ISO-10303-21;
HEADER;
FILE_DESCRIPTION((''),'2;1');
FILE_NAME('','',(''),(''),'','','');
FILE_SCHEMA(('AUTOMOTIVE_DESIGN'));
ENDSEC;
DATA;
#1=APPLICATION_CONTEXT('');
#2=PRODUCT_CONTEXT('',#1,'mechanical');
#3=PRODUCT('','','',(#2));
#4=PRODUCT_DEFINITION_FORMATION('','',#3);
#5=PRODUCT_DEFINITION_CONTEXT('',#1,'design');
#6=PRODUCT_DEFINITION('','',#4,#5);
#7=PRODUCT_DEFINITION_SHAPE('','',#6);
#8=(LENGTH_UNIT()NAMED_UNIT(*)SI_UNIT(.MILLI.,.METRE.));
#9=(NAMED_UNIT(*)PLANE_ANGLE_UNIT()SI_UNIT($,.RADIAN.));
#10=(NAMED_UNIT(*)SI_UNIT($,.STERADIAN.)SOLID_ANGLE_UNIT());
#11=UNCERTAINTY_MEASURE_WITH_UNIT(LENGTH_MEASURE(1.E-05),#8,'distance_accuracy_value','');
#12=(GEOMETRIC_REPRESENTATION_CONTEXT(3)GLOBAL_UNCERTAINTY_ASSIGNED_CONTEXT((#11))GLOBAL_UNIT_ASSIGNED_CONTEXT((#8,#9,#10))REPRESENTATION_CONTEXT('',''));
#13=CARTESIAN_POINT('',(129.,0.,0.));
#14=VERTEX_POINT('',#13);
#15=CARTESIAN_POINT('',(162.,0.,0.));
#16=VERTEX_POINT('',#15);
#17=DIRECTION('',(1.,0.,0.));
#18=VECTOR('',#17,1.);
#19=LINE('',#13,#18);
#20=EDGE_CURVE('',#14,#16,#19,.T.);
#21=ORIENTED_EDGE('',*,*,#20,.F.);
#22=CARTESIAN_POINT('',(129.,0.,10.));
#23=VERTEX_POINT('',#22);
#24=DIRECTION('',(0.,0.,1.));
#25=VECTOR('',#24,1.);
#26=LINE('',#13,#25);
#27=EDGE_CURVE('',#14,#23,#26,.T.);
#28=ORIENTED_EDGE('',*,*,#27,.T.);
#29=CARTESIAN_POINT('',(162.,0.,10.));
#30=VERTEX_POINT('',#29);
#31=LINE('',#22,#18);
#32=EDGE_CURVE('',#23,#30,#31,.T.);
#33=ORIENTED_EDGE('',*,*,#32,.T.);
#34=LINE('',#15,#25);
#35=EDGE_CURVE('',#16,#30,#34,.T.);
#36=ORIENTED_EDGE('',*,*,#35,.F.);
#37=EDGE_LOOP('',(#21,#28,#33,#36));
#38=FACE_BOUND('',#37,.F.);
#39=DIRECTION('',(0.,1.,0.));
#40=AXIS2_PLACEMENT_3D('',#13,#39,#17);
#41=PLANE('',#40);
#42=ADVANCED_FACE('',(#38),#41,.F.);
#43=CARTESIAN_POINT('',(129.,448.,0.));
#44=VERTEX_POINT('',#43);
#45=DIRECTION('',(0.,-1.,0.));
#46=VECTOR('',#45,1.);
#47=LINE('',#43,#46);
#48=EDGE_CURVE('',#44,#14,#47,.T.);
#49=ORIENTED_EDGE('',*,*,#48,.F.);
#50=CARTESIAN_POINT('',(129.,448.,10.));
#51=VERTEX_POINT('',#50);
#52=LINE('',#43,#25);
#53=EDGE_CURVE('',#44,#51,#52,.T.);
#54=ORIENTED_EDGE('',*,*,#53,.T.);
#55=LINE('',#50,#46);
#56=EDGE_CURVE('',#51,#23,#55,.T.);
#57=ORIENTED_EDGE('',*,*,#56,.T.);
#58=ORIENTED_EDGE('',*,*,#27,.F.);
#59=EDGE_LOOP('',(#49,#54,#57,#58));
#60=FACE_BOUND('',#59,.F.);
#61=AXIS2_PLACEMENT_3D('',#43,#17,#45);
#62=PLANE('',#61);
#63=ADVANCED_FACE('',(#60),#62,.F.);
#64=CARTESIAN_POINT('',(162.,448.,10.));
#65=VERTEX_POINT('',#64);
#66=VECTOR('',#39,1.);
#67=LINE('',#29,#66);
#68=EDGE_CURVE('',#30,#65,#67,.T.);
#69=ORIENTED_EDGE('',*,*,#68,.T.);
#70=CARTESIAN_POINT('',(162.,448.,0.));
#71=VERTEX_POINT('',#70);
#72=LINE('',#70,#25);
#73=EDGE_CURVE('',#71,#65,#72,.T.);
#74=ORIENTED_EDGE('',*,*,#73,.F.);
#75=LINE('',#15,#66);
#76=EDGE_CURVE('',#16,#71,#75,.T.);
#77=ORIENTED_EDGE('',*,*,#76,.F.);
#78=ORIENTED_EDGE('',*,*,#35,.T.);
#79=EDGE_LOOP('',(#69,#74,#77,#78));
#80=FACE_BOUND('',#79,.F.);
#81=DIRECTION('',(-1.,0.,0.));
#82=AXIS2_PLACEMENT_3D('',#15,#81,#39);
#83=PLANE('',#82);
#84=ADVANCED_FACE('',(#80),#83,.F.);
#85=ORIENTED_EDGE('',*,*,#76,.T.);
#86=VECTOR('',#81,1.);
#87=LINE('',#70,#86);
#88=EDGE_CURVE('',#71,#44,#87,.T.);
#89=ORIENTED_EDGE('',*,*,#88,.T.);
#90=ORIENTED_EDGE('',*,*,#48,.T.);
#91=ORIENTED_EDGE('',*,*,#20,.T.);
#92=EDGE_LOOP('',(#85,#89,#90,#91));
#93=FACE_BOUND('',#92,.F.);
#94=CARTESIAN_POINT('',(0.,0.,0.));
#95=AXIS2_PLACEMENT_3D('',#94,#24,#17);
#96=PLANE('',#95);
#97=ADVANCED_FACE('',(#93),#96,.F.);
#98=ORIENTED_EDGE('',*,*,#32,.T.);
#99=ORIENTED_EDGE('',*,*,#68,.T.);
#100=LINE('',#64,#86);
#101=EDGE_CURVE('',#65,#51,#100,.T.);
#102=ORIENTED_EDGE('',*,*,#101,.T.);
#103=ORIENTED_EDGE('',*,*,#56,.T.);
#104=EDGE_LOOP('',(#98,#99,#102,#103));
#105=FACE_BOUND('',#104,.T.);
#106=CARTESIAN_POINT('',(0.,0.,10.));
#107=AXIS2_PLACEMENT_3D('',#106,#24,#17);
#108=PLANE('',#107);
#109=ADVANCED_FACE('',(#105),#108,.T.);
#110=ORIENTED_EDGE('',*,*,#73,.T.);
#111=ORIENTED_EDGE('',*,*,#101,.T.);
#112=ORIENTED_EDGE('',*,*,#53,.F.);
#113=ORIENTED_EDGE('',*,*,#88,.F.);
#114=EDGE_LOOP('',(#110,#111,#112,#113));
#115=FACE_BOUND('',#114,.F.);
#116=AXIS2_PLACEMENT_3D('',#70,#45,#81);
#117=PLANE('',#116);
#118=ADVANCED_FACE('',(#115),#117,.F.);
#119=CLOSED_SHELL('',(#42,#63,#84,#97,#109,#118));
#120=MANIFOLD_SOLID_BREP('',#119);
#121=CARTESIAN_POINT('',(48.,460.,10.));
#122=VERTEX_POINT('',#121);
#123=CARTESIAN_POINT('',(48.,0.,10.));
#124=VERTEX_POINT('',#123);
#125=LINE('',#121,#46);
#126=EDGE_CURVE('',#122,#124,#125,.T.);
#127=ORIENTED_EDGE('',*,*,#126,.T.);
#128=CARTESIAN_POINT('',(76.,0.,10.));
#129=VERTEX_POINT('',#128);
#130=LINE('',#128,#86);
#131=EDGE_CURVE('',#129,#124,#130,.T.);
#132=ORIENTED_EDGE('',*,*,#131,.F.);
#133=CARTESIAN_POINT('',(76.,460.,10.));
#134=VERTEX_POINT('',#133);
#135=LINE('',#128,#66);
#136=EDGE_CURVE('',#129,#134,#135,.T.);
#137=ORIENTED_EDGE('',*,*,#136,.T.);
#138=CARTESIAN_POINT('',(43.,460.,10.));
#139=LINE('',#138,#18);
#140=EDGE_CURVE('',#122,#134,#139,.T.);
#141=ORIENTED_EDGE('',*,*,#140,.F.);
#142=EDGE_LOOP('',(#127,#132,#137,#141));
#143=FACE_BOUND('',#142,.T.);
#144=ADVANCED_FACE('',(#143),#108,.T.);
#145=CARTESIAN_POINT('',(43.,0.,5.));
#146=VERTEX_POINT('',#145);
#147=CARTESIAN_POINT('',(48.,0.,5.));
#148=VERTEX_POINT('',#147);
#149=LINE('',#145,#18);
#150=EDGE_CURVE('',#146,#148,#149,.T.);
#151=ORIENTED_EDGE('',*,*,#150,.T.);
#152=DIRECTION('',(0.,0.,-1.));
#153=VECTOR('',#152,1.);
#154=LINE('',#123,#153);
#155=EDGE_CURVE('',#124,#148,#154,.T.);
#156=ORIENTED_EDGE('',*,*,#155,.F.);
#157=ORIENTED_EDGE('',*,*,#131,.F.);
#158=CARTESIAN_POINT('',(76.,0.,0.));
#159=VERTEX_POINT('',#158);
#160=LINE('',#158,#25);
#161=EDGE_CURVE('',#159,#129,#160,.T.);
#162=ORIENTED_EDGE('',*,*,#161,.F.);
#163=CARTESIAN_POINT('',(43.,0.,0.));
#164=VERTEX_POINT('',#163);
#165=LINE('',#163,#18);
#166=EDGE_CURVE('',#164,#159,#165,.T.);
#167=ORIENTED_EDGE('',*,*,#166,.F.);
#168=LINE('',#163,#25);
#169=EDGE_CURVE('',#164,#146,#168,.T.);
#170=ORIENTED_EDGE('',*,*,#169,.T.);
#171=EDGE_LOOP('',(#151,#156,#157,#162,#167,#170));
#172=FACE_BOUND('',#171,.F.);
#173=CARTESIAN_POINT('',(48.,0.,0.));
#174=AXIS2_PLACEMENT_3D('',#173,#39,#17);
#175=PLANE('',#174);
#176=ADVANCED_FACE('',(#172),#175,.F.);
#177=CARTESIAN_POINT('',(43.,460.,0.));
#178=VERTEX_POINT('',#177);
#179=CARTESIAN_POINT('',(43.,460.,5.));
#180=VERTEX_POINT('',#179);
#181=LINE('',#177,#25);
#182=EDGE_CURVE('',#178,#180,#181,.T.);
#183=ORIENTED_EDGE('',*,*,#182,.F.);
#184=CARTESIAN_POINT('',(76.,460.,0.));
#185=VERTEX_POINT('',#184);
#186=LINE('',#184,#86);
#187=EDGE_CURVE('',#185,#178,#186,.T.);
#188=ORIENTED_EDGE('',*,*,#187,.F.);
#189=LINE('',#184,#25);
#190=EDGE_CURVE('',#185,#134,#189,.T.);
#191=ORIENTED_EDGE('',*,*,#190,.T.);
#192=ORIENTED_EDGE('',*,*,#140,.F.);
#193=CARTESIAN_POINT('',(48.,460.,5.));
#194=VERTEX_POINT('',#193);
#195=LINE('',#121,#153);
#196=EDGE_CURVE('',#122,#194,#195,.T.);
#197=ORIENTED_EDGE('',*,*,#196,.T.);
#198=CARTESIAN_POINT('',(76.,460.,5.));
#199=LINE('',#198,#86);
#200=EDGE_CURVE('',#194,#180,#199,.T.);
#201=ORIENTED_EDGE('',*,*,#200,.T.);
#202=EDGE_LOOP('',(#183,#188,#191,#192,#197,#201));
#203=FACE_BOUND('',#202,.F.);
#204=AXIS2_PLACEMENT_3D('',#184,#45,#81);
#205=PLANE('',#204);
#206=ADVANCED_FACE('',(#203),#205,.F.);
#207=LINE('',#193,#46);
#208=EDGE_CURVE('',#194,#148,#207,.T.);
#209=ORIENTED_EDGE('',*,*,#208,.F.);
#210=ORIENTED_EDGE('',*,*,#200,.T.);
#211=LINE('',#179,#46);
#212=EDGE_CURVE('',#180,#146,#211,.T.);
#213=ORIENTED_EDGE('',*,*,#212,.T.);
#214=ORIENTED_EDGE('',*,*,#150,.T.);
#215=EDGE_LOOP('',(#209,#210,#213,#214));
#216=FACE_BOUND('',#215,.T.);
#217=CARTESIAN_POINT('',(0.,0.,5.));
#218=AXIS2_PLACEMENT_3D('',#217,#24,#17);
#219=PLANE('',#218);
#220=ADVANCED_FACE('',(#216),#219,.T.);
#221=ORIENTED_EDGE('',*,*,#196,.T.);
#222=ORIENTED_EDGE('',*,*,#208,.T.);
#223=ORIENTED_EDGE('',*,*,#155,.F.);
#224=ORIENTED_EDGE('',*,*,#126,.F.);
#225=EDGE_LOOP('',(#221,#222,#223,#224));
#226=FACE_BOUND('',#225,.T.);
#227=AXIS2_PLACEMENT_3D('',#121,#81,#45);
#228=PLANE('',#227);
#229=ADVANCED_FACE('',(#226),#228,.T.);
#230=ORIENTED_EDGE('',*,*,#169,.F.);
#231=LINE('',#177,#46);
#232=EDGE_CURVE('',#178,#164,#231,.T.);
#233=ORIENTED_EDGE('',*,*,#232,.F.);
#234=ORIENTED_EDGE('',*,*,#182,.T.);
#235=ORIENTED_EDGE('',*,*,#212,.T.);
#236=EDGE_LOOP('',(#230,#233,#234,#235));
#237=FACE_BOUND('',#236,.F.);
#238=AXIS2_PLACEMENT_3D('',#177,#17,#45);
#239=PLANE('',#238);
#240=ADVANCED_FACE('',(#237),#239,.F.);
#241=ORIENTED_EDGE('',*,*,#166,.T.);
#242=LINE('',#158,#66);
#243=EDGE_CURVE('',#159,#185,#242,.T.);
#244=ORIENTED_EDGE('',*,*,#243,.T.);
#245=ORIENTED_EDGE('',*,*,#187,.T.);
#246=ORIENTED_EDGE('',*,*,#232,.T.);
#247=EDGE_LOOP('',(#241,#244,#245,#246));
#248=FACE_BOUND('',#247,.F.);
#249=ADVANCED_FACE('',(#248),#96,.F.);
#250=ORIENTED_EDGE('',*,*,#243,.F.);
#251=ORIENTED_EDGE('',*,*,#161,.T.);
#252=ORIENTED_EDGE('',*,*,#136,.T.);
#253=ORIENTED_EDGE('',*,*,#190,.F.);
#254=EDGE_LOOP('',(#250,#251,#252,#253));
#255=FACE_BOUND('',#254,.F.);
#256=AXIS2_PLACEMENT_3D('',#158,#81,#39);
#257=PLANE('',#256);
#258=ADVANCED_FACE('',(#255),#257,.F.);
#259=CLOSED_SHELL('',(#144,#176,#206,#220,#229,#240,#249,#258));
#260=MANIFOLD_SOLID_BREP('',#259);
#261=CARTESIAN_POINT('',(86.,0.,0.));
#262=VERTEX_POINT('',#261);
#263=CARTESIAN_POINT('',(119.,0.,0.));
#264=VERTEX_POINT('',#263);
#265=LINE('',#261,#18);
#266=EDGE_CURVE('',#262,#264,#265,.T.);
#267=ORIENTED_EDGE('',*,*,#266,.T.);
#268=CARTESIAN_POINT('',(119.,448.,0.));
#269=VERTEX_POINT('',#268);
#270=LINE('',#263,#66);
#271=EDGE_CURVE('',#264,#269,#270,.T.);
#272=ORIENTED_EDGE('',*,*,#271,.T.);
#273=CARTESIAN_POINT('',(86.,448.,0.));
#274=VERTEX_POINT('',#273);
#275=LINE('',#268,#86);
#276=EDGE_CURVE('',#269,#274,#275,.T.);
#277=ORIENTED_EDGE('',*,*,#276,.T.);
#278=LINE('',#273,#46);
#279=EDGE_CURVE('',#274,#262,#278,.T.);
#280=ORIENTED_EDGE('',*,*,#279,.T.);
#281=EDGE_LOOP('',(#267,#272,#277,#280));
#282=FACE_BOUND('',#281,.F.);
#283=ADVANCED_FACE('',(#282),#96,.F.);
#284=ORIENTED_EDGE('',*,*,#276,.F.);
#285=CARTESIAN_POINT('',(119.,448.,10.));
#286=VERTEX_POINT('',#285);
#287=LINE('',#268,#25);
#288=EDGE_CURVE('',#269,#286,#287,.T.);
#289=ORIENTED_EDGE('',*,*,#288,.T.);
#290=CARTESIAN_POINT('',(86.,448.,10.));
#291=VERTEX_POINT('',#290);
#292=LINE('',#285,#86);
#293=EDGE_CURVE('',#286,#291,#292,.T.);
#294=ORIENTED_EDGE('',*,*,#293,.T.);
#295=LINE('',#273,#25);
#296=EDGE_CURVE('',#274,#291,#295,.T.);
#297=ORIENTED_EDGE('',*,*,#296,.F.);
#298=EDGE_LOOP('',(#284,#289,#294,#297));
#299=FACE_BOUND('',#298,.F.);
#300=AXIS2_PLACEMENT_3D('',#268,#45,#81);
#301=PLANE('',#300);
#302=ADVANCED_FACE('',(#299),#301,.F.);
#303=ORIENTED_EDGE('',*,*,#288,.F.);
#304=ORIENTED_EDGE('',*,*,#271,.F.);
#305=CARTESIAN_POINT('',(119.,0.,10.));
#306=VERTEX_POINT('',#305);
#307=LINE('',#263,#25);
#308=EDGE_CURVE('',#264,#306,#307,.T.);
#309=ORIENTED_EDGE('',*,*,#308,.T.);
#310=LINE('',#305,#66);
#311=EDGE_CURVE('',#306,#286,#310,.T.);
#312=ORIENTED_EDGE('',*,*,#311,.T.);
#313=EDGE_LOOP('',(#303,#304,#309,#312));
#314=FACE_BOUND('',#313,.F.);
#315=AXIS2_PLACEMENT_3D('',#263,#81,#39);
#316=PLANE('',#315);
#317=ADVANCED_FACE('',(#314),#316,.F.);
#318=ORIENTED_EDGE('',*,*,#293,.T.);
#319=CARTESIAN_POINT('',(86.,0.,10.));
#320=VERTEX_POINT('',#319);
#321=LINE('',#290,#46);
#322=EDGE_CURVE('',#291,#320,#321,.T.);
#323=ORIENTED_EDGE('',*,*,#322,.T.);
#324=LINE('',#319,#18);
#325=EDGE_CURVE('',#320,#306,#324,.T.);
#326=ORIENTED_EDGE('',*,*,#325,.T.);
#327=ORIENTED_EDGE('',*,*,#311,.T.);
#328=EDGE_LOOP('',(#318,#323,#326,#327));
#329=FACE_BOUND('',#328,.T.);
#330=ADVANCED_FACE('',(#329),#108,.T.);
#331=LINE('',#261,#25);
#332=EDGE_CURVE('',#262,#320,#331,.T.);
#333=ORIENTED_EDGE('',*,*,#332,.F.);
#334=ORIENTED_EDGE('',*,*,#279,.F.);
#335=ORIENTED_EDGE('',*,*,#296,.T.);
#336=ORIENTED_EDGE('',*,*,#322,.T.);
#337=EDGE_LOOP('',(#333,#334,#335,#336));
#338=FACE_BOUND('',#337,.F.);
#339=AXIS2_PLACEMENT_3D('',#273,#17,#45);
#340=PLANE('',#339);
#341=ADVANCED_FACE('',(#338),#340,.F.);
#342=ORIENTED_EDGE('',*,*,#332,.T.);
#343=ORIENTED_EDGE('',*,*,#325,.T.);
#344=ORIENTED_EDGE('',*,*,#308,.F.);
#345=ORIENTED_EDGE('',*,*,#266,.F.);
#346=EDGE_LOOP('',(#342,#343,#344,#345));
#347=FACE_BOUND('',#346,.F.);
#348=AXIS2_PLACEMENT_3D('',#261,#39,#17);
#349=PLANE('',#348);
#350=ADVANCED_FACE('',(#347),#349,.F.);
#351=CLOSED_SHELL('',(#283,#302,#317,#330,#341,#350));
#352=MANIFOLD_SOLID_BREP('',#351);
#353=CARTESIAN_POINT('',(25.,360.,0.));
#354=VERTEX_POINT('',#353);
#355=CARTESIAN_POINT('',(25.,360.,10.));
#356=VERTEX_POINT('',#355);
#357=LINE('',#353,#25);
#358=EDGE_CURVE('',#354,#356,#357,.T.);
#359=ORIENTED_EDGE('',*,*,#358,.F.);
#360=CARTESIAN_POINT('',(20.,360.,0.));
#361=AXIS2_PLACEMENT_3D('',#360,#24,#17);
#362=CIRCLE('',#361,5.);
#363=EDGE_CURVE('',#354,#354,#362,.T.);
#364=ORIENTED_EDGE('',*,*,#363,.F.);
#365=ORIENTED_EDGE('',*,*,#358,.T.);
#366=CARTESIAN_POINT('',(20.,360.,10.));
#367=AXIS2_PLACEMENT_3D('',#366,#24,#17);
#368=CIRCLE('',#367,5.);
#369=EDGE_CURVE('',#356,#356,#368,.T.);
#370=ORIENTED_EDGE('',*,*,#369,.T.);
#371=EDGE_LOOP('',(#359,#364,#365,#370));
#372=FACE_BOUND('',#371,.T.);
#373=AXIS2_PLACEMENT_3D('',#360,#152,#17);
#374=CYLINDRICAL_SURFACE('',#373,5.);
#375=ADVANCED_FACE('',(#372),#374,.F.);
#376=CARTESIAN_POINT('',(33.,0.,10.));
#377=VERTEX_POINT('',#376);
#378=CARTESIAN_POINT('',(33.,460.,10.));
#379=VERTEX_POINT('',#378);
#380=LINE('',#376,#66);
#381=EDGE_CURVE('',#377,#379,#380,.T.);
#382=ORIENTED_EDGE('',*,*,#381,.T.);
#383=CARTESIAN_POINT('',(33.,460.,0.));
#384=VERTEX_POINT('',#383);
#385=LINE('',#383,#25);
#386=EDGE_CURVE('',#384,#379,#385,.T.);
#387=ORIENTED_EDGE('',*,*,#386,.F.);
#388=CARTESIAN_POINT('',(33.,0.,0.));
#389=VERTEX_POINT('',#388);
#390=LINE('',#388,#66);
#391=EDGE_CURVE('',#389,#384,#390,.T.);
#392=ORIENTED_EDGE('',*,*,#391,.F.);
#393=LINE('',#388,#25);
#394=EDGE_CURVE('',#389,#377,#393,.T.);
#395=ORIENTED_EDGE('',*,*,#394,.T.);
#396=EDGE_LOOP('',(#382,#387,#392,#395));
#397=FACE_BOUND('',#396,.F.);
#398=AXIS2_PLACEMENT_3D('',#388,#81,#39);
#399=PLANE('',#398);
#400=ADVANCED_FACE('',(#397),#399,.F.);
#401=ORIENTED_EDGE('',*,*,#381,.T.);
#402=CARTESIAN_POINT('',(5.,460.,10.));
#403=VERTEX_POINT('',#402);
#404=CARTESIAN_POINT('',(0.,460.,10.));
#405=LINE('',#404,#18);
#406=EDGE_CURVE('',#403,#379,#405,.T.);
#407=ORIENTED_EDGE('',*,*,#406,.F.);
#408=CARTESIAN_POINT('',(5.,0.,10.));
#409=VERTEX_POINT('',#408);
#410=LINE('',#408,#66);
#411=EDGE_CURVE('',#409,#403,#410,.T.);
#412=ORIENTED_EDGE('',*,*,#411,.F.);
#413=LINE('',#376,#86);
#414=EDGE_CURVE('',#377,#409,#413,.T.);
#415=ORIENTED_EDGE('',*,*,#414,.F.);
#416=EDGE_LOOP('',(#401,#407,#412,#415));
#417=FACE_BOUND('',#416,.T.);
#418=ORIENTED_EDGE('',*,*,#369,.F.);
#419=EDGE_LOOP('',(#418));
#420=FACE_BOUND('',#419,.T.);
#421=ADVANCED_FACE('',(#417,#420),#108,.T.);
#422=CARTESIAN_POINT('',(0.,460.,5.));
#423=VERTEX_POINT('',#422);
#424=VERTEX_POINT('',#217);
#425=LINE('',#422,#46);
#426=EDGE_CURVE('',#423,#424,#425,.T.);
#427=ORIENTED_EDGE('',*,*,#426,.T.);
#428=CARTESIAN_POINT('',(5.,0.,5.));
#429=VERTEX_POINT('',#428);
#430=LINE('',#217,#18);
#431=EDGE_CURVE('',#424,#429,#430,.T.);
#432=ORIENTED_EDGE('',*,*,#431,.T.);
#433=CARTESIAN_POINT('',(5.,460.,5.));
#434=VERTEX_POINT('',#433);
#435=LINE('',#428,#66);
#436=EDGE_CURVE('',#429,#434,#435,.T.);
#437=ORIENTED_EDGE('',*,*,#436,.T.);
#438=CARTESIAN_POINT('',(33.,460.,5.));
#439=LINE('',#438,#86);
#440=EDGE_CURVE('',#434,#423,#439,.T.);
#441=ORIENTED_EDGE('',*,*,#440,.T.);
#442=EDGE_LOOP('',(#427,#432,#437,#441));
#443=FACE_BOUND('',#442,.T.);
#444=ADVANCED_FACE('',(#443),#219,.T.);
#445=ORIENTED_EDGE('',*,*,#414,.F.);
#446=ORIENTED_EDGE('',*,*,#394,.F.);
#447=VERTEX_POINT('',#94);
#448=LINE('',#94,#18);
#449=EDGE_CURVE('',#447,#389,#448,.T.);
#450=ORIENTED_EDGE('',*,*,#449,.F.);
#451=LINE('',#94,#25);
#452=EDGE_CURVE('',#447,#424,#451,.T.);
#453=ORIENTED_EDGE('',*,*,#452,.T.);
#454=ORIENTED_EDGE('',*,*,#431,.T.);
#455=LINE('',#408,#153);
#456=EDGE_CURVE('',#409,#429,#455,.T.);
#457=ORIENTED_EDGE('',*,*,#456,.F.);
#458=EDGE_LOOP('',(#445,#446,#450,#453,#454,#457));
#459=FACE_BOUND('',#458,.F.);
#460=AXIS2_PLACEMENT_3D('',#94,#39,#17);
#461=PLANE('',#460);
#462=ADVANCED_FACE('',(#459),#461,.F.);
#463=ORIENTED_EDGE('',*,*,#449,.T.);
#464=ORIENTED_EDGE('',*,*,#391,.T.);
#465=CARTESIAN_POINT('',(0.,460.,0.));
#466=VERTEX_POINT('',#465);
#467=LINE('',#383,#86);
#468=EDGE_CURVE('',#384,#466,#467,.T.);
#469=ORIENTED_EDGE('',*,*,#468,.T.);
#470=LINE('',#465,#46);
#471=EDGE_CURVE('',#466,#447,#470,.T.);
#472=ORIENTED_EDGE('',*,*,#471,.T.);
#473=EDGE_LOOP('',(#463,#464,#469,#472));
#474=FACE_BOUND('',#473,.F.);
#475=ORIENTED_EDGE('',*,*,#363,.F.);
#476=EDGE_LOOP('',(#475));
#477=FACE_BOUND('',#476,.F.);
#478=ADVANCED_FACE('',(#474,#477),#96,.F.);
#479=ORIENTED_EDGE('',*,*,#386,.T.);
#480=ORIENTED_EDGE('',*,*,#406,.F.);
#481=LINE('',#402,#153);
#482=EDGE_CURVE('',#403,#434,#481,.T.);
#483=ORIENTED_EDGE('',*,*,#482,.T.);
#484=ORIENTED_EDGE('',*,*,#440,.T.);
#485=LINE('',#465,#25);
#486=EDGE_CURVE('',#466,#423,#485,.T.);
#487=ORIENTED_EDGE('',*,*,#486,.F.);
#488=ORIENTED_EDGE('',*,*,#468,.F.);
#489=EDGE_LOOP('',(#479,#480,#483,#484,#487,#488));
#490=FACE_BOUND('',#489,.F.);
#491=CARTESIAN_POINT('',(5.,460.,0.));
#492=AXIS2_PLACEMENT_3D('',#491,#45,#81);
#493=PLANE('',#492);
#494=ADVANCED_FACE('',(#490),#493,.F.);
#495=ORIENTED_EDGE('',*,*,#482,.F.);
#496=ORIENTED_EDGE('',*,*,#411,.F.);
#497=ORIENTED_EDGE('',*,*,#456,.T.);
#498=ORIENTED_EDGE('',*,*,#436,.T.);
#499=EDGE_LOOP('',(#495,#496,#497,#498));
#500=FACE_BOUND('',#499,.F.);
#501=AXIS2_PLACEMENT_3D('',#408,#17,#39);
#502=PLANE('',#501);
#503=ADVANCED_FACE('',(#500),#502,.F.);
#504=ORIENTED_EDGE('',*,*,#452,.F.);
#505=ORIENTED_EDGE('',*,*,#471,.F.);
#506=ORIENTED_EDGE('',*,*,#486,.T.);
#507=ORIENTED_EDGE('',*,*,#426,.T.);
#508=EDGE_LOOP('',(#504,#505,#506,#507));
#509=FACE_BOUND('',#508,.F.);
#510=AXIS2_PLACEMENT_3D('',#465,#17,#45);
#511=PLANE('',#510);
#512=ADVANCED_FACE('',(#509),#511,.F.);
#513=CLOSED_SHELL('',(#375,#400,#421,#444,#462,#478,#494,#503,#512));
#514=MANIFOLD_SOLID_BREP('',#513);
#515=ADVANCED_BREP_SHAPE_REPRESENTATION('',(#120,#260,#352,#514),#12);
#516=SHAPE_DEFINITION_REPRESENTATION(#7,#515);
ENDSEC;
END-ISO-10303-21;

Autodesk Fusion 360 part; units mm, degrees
sketch "Sketch1" plane through (0, 0, 0) normal (0, 0, 1) x (1, 0, 0)
  line L0 (0, 0) -> (33, 0)
  line L1 (33, 0) -> (33, 460)
  line L2 (33, 460) -> (0, 460)
  line L3 (0, 460) -> (0, 0)
  line L4 (76, 460) -> (43, 460)
  line L5 (43, 460) -> (43, 0)
  line L6 (43, 0) -> (76, 0)
  line L7 (76, 0) -> (76, 460)
  line L8 (86, 0) -> (119, 0)
  line L9 (119, 0) -> (119, 448)
  line L10 (119, 448) -> (86, 448)
  line L11 (86, 448) -> (86, 0)
  line L12 (129, 0) -> (162, 0)
  line L13 (162, 0) -> (162, 448)
  line L14 (162, 448) -> (129, 448)
  line L15 (129, 448) -> (129, 0)
  circle A0 centre (20, 360) radius 5
  line L16 (5, 0) -> (5, 460)
  line L17 (48, 460) -> (48, 0)
  dimension "d1" = 33
  dimension "d2" = 460
  dimension "d3" = 33
  dimension "d4" = 460
  dimension "d5" = 10
  dimension "d6" = 33
  dimension "d8" = 10
  dimension "d9" = 33
  dimension "d10" = 448
  dimension "d11" = 10
  dimension "d14" = 10
  dimension "d15" = 20
  dimension "d16" = 100
  dimension "d19" = 5
  dimension "d20" = 5
extrude "Extrude1" add sketch "Sketch1" along normal blind 10 contours L0 L2 L3 L16 | L0 L1 L2 L16 | L4 L6 L7 L17 | L4 L5 L6 L17 | L8 L9 L10 L11 | L12 L13 L14 L15 | A0 makes body 1 at (54, 306.6667, 0) makes body 2 at (11, 306.6667, 0) makes body 3 at (140, 298.6667, 0) makes body 4 at (97, 298.6667, 0)
extrude "Extrude2" cut sketch "Sketch1" along normal blind 10 contours A0 bodies 2
extrude "Extrude3" cut sketch "Sketch1" against normal blind 5 from surface at 10 contours L0 L2 L3 L16 | L4 L5 L6 L17 bodies 1 2
